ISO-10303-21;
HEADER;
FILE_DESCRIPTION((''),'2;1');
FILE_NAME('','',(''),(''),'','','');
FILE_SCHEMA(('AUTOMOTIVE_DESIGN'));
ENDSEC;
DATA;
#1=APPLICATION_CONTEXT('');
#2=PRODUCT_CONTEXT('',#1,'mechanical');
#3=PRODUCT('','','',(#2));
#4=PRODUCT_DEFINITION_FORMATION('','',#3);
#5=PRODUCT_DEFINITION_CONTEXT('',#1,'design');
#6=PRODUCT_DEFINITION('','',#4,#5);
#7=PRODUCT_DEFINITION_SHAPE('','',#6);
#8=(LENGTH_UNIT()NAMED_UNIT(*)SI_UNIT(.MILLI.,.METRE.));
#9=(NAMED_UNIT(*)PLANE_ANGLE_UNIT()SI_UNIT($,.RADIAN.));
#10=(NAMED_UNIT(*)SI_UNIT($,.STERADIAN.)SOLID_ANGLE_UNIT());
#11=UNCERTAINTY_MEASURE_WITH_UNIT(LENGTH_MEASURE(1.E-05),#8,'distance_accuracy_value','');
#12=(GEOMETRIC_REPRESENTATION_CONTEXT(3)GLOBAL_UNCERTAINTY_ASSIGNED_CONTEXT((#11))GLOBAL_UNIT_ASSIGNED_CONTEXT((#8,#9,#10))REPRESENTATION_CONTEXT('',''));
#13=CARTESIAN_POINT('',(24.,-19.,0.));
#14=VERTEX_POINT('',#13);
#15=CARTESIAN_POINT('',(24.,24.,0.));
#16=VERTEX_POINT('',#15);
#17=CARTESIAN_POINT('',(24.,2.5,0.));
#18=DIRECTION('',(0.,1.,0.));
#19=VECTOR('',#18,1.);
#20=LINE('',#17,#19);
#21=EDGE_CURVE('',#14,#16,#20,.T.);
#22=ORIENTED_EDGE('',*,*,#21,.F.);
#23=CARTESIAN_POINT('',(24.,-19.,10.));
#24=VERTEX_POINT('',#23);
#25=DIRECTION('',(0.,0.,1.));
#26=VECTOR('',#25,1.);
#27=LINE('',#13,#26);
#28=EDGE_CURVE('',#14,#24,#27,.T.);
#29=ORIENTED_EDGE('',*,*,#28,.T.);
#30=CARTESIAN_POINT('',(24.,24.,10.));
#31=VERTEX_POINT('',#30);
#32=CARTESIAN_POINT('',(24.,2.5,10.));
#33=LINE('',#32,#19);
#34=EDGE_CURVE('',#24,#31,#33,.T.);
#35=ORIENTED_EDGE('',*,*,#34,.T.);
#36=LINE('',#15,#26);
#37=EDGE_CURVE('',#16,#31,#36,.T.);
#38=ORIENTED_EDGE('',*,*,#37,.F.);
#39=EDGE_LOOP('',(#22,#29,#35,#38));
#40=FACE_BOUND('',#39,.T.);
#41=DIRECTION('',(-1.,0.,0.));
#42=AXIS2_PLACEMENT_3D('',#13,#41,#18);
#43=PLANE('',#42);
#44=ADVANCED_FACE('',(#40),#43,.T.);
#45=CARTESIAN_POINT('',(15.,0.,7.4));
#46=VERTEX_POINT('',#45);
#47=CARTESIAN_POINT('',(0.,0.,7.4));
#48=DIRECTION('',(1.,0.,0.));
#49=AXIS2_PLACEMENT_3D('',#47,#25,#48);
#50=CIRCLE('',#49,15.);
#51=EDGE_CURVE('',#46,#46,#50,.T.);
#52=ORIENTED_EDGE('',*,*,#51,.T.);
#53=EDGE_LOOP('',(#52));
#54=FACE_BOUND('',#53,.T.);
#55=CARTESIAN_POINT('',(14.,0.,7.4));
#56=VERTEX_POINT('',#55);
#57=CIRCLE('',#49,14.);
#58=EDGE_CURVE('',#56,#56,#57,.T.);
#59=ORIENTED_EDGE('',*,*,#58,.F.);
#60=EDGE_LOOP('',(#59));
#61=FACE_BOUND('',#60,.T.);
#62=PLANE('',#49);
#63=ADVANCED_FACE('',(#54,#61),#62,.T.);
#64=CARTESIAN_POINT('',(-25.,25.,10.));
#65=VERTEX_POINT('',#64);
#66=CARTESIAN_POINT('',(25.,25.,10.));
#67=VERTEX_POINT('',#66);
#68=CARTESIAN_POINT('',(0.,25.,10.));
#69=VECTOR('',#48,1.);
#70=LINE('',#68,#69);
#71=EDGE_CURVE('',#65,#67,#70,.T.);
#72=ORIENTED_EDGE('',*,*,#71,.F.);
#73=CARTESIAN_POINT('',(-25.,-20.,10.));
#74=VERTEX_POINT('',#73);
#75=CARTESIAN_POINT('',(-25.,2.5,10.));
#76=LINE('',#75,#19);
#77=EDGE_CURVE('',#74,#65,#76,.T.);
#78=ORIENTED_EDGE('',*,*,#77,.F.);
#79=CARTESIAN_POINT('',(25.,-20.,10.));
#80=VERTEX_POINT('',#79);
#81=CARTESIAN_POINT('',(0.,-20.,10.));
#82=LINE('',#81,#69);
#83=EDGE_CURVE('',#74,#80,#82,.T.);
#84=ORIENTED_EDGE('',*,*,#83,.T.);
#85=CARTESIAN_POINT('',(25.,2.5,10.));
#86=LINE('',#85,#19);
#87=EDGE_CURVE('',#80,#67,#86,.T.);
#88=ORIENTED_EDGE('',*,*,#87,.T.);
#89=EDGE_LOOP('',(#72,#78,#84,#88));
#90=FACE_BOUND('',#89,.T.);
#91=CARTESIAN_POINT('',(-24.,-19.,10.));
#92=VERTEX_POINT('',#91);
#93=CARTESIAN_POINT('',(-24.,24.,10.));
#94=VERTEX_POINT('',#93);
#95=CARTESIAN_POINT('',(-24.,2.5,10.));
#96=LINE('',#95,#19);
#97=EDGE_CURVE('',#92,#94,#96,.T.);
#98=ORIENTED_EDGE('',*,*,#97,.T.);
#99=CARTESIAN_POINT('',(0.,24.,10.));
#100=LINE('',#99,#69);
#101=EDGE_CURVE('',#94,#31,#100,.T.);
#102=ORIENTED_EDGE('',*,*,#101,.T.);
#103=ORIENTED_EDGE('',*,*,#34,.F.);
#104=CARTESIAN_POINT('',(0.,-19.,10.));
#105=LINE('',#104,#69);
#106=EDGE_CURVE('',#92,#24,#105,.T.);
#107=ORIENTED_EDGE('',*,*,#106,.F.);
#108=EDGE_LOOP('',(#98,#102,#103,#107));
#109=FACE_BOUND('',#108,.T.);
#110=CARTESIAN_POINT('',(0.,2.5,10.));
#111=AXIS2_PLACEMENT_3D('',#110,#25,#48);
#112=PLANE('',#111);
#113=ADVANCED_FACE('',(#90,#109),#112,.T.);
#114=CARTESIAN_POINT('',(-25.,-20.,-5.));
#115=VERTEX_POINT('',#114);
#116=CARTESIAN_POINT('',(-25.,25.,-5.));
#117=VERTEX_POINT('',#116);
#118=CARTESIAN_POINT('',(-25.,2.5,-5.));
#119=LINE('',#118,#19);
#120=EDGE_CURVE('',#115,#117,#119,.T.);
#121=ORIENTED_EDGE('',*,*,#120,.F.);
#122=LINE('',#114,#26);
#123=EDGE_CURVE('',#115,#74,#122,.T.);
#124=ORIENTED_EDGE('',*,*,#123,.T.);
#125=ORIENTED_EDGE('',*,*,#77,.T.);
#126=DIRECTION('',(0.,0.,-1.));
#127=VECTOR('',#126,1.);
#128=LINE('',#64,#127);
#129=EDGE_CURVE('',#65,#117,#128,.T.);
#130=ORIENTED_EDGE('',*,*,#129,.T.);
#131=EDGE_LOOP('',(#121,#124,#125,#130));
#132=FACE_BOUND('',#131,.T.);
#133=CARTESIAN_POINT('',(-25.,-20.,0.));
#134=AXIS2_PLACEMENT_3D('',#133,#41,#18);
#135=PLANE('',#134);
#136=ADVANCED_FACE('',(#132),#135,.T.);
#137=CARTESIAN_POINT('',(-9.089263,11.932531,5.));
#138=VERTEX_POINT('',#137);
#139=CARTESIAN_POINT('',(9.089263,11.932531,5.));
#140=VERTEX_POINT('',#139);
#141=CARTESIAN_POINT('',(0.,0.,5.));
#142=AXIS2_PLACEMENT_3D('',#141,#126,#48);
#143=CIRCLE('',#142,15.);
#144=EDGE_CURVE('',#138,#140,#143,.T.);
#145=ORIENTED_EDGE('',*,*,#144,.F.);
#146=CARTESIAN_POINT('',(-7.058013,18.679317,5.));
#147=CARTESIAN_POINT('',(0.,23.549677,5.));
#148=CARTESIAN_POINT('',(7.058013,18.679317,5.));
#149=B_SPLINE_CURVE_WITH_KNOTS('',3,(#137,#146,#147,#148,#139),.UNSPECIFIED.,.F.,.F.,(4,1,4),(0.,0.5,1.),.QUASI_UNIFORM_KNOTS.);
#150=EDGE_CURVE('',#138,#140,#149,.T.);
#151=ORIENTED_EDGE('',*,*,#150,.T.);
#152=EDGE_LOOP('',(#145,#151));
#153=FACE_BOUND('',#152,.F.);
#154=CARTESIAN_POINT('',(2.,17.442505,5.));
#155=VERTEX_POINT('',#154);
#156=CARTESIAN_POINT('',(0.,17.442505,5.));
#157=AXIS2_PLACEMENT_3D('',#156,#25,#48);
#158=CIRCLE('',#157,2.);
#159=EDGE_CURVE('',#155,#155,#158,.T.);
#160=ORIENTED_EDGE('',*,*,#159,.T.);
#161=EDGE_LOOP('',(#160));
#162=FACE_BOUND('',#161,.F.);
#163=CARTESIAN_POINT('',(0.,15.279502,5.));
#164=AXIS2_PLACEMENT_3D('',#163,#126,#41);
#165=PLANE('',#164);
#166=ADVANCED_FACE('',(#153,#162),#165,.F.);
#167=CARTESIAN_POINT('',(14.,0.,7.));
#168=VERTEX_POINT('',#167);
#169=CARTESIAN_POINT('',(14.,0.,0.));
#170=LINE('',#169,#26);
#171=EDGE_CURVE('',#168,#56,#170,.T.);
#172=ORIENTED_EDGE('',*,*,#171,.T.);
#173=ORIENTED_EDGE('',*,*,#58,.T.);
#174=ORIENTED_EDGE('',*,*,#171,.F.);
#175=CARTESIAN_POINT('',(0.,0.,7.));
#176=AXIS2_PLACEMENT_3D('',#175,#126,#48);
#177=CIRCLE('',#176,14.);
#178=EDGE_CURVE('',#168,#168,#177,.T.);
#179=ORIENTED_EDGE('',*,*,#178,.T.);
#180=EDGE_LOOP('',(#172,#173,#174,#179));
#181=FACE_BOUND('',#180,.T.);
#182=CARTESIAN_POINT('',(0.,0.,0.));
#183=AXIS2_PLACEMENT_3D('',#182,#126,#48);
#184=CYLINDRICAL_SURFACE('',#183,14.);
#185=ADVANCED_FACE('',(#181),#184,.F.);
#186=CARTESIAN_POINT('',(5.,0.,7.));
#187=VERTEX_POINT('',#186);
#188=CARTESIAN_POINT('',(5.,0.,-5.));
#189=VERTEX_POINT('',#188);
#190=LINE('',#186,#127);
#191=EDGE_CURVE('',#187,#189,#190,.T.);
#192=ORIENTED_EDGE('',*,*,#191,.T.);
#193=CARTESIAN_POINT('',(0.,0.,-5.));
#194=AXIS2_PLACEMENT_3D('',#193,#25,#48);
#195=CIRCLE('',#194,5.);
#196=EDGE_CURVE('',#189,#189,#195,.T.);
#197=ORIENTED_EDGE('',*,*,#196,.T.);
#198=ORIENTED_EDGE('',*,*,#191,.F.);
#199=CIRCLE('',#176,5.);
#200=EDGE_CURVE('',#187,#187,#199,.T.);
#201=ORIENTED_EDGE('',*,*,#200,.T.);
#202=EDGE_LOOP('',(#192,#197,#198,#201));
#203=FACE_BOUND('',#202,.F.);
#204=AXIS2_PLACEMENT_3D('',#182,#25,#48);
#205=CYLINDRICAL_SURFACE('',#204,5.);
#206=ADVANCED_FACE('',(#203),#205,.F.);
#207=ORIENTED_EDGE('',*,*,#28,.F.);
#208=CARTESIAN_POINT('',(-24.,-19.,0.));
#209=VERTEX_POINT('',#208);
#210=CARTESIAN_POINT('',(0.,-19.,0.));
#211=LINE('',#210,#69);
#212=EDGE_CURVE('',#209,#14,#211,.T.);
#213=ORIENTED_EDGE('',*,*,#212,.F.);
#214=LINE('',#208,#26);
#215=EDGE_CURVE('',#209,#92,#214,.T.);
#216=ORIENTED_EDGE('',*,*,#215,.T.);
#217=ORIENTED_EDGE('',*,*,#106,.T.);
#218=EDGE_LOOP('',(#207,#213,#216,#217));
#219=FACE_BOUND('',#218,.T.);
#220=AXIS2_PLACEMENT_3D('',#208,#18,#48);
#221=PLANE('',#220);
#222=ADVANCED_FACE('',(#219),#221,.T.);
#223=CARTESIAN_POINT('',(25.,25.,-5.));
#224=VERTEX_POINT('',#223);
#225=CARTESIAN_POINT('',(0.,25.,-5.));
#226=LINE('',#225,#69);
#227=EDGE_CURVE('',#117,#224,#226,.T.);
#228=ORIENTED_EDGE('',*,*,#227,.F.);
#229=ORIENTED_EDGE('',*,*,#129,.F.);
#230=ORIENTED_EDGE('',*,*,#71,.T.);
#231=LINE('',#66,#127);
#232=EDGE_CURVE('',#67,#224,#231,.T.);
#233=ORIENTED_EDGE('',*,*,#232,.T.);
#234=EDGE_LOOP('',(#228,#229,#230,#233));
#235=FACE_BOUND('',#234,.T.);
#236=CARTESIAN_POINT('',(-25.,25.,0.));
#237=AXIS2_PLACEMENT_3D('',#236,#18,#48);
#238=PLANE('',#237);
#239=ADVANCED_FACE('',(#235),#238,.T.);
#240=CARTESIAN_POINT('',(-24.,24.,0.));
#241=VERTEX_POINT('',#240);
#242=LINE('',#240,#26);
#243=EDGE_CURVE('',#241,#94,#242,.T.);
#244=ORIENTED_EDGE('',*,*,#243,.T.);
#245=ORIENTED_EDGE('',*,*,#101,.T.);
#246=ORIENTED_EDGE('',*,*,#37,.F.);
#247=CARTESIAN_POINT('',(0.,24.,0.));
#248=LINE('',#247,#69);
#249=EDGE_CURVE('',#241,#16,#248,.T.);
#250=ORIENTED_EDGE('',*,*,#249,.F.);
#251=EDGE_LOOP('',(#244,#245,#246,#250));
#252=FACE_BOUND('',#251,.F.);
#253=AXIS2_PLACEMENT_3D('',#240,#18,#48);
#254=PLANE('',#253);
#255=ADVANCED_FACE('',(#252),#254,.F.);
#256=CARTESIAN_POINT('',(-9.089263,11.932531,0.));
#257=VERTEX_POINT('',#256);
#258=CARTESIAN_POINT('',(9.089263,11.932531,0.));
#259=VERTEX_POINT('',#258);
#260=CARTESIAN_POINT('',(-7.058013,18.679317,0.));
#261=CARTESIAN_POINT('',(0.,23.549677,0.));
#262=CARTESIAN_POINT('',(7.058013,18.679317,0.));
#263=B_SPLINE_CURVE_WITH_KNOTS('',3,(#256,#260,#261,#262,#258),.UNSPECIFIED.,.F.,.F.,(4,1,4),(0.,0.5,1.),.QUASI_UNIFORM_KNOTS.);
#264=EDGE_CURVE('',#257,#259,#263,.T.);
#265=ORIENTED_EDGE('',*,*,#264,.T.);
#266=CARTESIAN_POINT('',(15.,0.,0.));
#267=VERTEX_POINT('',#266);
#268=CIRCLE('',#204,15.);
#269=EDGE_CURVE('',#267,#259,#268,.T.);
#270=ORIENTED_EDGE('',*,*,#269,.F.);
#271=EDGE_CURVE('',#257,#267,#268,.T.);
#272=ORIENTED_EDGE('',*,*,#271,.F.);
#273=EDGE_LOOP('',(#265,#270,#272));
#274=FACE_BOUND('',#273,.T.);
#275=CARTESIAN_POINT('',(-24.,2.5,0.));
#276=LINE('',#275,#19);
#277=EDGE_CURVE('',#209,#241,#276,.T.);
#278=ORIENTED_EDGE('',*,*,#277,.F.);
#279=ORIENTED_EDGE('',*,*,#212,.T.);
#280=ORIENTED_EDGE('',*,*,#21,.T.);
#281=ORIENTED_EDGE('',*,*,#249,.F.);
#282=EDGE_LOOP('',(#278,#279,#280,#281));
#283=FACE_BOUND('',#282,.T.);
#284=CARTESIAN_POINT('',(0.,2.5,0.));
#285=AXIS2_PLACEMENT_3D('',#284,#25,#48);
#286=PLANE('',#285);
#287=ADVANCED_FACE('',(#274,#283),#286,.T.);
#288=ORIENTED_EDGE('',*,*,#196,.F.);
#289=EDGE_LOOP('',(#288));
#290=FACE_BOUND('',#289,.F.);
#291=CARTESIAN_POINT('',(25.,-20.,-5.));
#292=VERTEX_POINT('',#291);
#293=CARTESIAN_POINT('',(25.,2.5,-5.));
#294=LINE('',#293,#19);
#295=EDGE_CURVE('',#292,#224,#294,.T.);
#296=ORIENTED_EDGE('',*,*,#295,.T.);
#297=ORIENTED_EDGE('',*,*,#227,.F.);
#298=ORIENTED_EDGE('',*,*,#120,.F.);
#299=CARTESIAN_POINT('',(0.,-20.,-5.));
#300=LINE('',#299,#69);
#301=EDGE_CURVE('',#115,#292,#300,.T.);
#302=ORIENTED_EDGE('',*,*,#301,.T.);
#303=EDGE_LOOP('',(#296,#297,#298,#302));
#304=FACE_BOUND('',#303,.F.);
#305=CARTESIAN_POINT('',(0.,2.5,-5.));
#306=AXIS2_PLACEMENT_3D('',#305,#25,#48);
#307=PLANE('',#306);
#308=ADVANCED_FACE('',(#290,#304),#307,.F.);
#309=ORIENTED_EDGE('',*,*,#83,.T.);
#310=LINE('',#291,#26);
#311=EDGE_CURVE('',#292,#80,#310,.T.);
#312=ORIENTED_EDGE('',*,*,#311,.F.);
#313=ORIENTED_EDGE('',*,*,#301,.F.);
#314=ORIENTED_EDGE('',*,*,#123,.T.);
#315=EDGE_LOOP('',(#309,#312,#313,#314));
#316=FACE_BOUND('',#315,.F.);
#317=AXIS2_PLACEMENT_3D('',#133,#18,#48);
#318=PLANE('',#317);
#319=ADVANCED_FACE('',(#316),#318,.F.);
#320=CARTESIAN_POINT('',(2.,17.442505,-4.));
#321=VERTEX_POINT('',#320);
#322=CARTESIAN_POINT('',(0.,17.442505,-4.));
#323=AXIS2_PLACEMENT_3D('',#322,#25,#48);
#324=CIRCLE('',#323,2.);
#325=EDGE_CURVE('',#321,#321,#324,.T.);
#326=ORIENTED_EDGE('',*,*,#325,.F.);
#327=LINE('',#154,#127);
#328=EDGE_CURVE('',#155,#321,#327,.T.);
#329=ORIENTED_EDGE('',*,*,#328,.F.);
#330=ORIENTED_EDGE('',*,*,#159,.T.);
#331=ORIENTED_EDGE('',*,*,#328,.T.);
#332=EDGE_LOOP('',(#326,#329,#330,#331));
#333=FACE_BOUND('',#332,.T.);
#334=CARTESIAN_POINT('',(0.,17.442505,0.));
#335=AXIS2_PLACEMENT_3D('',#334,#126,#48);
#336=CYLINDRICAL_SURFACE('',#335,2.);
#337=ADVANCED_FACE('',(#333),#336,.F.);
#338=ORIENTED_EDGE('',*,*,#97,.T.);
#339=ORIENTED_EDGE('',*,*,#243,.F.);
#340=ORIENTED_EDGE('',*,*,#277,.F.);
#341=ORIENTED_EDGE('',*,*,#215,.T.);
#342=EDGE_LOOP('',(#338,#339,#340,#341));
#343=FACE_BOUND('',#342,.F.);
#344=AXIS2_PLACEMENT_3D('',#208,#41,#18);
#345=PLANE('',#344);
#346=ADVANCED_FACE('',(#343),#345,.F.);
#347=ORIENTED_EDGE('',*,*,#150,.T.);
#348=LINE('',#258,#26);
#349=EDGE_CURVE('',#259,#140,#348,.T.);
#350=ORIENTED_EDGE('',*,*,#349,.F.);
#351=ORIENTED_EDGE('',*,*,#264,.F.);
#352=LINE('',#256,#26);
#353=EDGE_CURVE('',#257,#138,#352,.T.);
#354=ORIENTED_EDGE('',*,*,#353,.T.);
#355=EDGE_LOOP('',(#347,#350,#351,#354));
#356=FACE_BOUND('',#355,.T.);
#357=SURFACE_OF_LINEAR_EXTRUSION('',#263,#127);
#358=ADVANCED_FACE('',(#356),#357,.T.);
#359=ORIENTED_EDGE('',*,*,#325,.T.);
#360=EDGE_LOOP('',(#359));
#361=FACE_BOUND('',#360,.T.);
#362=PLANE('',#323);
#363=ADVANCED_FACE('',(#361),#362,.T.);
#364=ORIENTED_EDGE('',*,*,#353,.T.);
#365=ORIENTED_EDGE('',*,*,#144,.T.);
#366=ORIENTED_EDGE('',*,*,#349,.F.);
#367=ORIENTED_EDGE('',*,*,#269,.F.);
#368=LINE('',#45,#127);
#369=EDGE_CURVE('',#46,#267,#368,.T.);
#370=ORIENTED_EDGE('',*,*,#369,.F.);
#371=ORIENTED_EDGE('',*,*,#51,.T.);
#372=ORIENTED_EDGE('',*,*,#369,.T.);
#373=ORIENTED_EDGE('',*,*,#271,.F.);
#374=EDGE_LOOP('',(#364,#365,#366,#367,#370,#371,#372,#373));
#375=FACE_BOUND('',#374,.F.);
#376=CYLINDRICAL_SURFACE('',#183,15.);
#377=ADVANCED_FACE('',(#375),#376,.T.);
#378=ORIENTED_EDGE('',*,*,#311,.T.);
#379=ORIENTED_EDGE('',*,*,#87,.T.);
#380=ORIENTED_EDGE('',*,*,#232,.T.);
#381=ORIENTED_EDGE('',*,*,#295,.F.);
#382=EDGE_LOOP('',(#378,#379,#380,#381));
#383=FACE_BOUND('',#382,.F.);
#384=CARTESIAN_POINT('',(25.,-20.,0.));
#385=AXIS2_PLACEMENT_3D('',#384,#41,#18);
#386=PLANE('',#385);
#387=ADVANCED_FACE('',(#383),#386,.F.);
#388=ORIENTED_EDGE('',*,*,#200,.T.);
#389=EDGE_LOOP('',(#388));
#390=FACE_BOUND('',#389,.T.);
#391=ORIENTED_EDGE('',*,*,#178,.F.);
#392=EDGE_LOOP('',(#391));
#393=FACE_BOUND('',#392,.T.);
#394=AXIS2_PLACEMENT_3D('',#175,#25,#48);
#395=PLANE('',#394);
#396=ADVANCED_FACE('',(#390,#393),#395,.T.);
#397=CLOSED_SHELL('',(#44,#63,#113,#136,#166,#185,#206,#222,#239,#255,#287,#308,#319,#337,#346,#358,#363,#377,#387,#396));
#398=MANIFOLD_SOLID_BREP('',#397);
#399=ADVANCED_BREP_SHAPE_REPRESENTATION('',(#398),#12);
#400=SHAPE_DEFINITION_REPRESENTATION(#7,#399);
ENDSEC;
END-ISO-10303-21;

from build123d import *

# Parameters (mm, degrees)
SKETCH_R          = 15
PAD_DEPTH         = 7
SKETCH001_R       = 2
PAD001_DEPTH      = 5
SKETCH002_R       = 15
SKETCH002_R_2     = 14
PAD002_DEPTH      = 7.4
SKETCH003_W       = 50
SKETCH003_H       = 45
PAD003_DEPTH      = 5
SKETCH004_W       = 50
SKETCH004_H       = 45
SKETCH004_W_2     = 48
SKETCH004_H_2     = 43
PAD004_DEPTH      = 10
SKETCH005_R       = 5
POCKET_DEPTH      = 5.001
POCKET_DEPTH_BACK = -10.001
SKETCH006_R       = 2
POCKET001_DEPTH   = 4


with BuildPart() as part:
    # Sketch → Pad (new body)
    with BuildSketch(Plane.XY):
        Circle(SKETCH_R)
    extrude(amount=PAD_DEPTH)

    # Sketch001 → Pad001 (join)
    with BuildSketch(Plane.XY):
        with BuildLine():
            add(Edge.make_bspline(
                [(-9.089263, 11.932531), (-7.058013, 18.679317), (0, 23.549677), (7.058013, 18.679317), (9.089263, 11.932531)],
                knots=[0, 0, 0, 0, 0.5, 1, 1, 1, 1], degree=3))
            Line((9.089263, 11.932531), (-9.089263, 11.932531))
        make_face()
        with Locations((0, 17.442505)):
            Circle(SKETCH001_R, mode=Mode.SUBTRACT)
    extrude(amount=PAD001_DEPTH)

    # Sketch002 → Pad002 (join)
    with BuildSketch(Plane.XY):
        Circle(SKETCH002_R)
        Circle(SKETCH002_R_2, mode=Mode.SUBTRACT)
    extrude(amount=PAD002_DEPTH)

    # Sketch003 → Pad003 (join)
    with BuildSketch(Plane.XY):
        with Locations((0, 2.5)):
            Rectangle(SKETCH003_W, SKETCH003_H)
    extrude(amount=-PAD003_DEPTH)

    # Sketch004 → Pad004 (join)
    with BuildSketch(Plane.XY):
        with Locations((0, 2.5)):
            Rectangle(SKETCH004_W, SKETCH004_H)
        with Locations((0, 2.5)):
            Rectangle(SKETCH004_W_2, SKETCH004_H_2, mode=Mode.SUBTRACT)
    extrude(amount=PAD004_DEPTH)

    # Sketch005 → Pocket (cut, two sides)
    with BuildSketch(Plane.XY) as pocket_sk:
        Circle(SKETCH005_R)
    extrude(amount=-POCKET_DEPTH, mode=Mode.SUBTRACT)
    extrude(pocket_sk.sketch, amount=-POCKET_DEPTH_BACK, mode=Mode.SUBTRACT)

    # Sketch006 → Pocket001 (cut)
    with BuildSketch(Plane.XY):
        with Locations((0, 17.442505)):
            Circle(SKETCH006_R)
    extrude(amount=-POCKET001_DEPTH, mode=Mode.SUBTRACT)


solid = part.part
